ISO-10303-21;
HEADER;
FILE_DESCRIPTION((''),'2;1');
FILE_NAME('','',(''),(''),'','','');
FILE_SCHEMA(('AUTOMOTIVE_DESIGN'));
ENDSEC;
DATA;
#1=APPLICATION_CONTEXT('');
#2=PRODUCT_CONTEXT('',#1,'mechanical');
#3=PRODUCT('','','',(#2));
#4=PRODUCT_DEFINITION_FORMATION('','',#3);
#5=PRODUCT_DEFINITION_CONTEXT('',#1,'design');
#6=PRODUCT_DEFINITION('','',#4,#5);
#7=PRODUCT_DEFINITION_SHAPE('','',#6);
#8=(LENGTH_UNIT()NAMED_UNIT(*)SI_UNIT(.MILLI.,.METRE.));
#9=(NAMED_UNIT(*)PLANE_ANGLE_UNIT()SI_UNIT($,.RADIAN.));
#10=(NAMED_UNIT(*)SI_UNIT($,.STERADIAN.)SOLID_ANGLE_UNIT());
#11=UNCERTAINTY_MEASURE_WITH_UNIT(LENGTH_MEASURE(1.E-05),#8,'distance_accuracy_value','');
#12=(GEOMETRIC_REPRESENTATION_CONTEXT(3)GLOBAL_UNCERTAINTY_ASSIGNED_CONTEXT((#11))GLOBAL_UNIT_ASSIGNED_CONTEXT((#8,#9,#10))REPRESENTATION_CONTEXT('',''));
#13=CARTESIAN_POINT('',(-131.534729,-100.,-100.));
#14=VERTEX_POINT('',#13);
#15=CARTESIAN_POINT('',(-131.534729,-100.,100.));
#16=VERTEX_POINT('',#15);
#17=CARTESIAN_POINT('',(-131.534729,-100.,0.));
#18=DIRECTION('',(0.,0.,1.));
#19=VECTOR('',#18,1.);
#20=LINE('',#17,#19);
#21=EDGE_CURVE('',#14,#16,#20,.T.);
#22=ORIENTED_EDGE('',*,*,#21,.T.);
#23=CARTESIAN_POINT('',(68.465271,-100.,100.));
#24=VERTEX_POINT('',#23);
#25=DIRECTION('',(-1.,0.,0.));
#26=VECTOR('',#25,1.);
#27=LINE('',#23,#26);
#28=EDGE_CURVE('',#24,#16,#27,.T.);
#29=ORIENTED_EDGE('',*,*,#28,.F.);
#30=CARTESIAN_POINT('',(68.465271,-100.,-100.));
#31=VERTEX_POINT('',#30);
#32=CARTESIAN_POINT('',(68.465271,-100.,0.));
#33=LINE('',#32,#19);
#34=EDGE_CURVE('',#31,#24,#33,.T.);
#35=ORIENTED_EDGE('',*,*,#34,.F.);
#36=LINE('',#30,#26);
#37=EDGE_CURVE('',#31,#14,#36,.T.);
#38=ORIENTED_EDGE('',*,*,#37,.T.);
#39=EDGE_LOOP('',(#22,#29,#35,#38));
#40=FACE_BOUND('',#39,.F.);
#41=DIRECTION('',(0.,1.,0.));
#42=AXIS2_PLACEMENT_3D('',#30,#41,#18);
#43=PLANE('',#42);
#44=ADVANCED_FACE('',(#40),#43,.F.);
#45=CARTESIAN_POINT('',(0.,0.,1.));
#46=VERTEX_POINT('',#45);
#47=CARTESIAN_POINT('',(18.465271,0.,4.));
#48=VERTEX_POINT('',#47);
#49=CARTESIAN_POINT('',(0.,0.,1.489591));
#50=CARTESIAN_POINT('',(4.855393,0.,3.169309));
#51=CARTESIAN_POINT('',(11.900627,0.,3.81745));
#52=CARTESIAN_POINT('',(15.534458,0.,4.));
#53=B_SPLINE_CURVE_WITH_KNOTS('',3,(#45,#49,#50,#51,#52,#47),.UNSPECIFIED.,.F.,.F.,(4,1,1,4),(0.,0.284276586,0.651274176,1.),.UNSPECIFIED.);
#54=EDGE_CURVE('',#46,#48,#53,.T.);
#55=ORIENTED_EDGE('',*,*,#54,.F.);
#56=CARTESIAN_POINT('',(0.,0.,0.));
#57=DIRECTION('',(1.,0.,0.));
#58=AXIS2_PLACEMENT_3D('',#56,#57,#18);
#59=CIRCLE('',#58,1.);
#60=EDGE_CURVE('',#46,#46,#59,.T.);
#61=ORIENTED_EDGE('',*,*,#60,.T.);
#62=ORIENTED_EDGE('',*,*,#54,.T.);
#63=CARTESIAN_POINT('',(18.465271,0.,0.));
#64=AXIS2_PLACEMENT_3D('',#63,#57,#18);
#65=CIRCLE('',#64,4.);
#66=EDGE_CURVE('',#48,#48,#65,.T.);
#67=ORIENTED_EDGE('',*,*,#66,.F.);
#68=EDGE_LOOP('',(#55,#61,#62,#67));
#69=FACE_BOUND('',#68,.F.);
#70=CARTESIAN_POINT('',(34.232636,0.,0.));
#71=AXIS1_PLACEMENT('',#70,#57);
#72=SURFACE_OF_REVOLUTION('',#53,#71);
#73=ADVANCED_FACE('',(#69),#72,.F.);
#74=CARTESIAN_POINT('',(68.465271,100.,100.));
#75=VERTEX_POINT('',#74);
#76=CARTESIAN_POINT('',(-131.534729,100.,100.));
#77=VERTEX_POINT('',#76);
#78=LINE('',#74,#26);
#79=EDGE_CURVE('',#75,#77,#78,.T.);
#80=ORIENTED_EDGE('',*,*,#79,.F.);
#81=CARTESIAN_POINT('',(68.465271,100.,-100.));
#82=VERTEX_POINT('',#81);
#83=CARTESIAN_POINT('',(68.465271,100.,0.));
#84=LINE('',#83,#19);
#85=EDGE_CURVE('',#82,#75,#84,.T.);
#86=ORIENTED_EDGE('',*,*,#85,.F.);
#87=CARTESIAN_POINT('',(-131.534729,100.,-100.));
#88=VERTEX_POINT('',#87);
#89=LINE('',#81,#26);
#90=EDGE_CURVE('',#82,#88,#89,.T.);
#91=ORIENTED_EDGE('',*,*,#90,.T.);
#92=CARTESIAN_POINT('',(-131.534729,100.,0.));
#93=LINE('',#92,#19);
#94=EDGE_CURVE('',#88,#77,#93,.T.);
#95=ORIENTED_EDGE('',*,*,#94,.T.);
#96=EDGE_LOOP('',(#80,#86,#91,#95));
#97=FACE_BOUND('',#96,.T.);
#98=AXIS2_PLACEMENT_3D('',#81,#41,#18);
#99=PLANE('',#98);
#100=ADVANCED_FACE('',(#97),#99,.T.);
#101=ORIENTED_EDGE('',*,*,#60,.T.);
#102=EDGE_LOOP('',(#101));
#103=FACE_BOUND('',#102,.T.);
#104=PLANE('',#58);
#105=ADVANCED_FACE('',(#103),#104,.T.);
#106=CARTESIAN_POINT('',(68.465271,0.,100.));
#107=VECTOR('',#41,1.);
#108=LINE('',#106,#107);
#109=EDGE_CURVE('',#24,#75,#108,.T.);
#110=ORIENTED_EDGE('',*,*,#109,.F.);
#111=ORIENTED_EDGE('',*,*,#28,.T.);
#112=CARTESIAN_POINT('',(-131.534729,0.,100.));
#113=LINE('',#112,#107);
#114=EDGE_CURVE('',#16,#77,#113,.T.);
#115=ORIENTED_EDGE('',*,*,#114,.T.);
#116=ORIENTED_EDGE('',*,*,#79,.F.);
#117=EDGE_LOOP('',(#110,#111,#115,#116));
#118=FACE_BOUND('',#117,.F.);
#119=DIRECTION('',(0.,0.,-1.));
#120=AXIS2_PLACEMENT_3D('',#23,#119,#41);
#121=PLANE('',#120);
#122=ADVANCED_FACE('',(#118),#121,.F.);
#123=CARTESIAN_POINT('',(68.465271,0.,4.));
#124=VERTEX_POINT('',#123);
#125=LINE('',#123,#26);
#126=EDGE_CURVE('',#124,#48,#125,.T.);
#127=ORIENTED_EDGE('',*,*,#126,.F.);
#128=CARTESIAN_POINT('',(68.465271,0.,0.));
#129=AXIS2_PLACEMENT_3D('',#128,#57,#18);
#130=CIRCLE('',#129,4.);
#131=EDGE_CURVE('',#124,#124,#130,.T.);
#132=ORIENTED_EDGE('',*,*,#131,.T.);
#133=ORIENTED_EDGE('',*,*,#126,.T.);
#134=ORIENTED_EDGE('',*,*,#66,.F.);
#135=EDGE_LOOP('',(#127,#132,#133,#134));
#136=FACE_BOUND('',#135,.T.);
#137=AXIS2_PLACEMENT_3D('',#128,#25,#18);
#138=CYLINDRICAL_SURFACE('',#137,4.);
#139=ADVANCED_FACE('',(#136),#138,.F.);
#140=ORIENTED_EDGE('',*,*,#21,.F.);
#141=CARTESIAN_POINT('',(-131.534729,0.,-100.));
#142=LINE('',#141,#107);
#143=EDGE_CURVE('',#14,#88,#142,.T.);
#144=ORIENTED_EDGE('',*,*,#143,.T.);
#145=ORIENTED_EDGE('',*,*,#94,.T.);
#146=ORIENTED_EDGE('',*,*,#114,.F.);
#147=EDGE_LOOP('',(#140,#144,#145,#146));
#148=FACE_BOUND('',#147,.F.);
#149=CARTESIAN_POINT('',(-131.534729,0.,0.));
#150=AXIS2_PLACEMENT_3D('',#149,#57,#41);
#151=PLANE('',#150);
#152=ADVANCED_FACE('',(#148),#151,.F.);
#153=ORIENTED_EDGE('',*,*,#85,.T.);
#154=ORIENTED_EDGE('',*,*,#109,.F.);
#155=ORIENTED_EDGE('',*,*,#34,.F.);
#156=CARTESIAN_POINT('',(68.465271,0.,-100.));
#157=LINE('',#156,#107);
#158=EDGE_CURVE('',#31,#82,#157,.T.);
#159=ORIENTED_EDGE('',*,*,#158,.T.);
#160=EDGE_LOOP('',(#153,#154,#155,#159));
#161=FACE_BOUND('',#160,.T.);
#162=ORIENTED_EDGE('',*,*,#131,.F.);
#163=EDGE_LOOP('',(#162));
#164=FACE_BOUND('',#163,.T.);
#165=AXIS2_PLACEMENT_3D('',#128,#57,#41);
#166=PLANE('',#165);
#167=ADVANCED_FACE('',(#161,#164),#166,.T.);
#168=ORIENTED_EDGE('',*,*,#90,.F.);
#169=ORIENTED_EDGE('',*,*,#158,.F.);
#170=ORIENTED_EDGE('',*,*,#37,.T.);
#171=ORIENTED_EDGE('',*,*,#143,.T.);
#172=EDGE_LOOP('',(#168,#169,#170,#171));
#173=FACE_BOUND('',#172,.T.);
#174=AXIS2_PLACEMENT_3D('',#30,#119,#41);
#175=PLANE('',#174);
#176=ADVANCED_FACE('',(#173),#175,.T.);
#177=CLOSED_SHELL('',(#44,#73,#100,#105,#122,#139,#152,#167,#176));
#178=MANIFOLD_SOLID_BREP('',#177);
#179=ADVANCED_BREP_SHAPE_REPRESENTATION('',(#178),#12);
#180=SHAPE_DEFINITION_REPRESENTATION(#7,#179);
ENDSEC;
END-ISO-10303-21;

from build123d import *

# Parameters (mm, degrees)
F2_W     = 200
F2_H     = 200
F3_DEPTH = 200


with BuildPart() as f1:
    # F0 (on Front) → F1 (revolve)
    with BuildSketch(Plane.XZ):
        with BuildLine():
            Line((0, 1), (0, 0))
            Line((0, 0), (68.4652712196, 0))
            Line((68.4652712196, 0), (68.4652712196, 4))
            Line((68.4652712196, 4), (18.4652712196, 4))
            add(Edge.make_bspline(
                [(0, 1), (0, 1.4895908086), (4.855393481, 3.1693086379), (11.9006269585, 3.8174499144), (15.5344579131, 4), (18.4652712196, 4)],
                knots=[0, 0, 0, 0, 0.2842765861, 0.6512741765, 1, 1, 1, 1], degree=3))
        make_face()
    revolve(axis=Axis((34.2326356098, 0, 0), (1, 0, 0)))


with BuildPart() as f3:
    # F2 (on face) → F3 (new body)
    with BuildSketch(Plane.YZ.offset(68.4652712196)):
        Rectangle(F2_W, F2_H)
    extrude(amount=-F3_DEPTH)

    # F4: cut F1
    add(f1.part, mode=Mode.SUBTRACT)


solid = f3.part
